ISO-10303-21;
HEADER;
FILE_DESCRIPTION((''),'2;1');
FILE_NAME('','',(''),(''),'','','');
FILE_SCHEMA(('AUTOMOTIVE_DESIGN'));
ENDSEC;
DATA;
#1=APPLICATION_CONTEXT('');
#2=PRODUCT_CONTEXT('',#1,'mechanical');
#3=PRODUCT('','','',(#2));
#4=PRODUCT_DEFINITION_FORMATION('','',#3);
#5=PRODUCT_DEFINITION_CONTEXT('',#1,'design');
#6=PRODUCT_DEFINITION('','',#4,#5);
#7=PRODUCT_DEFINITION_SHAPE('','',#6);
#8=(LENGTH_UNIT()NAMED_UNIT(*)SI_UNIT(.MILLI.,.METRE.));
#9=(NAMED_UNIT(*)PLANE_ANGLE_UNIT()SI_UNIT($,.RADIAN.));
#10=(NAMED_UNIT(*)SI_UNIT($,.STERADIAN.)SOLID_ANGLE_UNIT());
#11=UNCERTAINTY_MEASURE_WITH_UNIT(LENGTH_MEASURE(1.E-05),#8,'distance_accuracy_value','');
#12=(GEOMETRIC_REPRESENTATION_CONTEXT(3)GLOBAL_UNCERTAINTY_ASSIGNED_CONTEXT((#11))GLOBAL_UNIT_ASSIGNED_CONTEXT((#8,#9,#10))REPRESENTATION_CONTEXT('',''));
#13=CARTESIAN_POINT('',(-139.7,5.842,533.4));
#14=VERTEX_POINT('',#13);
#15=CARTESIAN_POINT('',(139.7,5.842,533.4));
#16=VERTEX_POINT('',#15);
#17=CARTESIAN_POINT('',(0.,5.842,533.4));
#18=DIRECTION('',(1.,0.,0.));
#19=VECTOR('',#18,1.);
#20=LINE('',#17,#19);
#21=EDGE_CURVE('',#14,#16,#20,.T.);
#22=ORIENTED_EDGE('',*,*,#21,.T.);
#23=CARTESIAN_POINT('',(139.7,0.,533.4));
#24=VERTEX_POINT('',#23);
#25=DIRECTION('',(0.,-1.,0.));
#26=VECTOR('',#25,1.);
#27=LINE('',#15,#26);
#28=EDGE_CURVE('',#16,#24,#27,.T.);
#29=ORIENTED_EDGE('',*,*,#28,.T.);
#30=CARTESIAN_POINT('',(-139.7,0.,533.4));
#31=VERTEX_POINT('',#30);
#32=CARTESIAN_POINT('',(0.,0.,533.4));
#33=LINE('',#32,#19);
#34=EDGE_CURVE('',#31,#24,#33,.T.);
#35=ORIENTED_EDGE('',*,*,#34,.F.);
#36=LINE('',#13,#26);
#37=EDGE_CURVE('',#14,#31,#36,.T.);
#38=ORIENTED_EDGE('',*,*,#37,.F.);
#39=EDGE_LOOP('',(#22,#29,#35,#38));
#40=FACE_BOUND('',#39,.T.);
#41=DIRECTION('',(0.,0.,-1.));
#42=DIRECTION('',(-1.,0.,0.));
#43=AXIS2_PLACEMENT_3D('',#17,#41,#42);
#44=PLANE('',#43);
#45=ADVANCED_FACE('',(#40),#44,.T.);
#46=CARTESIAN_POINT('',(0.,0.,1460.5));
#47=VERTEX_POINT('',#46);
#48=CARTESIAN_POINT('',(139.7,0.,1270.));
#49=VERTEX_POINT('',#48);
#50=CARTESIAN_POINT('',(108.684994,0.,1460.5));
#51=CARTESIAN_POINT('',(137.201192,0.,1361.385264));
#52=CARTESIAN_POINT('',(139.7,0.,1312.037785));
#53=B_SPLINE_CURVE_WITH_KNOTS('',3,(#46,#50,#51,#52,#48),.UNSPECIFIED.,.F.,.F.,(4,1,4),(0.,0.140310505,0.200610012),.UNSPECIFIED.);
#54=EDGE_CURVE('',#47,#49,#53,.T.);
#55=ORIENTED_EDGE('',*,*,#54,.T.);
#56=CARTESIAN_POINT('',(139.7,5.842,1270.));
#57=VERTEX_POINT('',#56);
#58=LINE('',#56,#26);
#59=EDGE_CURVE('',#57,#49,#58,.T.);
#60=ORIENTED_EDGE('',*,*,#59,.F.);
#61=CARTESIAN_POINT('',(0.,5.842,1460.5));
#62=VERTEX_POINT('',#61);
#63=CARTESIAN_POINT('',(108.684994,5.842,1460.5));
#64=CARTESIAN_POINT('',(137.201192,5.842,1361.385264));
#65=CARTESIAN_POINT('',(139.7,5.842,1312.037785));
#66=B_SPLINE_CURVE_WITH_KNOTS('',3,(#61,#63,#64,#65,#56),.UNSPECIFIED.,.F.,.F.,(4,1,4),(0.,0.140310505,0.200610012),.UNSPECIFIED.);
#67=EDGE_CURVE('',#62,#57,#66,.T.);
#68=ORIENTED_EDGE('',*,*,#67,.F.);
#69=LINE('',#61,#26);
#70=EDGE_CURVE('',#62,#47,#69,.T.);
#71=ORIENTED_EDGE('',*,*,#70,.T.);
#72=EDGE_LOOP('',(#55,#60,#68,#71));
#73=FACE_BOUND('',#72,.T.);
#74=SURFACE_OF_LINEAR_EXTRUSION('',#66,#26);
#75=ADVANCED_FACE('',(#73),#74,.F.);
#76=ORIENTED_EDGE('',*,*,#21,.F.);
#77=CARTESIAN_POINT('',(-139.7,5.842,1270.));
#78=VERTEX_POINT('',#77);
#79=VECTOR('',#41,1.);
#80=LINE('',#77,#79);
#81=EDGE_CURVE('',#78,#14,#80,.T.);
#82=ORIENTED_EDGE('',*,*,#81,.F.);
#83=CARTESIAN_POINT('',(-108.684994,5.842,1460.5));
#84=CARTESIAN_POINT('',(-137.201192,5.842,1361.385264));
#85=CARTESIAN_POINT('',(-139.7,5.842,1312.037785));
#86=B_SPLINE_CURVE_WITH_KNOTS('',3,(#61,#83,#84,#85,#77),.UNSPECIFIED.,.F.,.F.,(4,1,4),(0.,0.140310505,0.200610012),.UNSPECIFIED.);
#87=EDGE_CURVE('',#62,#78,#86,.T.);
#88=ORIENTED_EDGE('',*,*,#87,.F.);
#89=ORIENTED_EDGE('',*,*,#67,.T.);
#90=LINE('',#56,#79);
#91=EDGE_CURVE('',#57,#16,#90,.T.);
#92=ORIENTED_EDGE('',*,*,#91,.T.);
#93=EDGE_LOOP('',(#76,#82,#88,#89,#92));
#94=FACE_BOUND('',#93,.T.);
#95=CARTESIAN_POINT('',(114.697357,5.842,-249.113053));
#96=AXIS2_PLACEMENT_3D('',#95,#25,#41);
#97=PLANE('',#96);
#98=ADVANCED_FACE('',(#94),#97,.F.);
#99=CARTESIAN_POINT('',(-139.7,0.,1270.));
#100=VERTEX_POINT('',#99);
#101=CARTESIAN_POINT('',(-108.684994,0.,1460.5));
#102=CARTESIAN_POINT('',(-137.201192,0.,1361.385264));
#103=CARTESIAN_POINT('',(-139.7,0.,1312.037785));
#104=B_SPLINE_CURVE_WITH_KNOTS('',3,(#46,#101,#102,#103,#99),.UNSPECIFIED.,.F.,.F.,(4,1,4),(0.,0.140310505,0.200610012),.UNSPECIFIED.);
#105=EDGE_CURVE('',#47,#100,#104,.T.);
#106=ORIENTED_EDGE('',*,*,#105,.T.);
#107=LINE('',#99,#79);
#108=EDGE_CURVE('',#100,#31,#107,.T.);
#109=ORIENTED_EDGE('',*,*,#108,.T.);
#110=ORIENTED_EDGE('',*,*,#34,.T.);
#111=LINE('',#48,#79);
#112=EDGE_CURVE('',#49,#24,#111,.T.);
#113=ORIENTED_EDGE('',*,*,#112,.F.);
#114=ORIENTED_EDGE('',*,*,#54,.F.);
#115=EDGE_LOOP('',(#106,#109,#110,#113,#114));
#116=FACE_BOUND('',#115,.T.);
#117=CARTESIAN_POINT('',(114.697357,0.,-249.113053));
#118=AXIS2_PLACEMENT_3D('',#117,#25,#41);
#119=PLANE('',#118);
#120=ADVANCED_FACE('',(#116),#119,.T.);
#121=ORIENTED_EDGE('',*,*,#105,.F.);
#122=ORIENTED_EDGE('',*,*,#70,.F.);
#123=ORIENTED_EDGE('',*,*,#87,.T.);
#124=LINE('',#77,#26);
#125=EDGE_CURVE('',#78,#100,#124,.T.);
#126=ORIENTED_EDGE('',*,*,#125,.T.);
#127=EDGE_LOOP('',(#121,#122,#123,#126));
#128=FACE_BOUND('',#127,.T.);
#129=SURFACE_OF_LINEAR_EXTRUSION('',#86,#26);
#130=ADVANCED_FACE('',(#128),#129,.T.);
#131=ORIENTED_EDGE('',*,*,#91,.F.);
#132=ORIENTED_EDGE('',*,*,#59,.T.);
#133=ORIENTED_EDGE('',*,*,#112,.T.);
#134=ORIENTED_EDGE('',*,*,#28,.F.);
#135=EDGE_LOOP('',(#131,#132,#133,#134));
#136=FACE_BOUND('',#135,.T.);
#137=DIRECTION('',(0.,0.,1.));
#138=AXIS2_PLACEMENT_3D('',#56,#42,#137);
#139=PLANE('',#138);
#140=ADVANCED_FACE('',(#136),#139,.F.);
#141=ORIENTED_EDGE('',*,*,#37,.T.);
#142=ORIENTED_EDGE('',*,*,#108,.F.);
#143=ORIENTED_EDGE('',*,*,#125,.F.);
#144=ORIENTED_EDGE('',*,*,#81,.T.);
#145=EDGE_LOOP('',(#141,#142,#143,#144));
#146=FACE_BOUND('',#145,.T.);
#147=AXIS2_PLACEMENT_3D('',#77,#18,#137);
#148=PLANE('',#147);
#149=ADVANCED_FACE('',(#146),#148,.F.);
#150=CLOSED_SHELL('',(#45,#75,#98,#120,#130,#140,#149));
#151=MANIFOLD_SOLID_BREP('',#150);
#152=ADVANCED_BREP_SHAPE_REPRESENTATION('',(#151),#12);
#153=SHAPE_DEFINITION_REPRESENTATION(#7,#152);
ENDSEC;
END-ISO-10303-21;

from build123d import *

# Parameters (mm, degrees)
BOSS_EXTRUDE1_DEPTH = 5.842
SKETCH4_W           = 139.7
SKETCH4_H           = 914.4
CUT_EXTRUDE1_DEPTH  = 1468.177722461


with BuildPart() as part:
    # Sketch3 → Boss-Extrude1 (new body)
    with BuildSketch(Plane(origin=(0, 0, 0), x_dir=(1, 0, 0), z_dir=(0, 1, 0))):
        with BuildLine():
            Line((0, 381), (0, -1460.5))
            add(Edge.make_bspline(
                [(0, -1460.5), (108.684994241, -1460.5), (137.201191705, -1361.385263755), (139.7, -1312.037784968), (139.7, -1270)],
                knots=[0, 0, 0, 0, 0.140310505, 0.200610012, 0.200610012, 0.200610012, 0.200610012], degree=3))
            Line((139.7, -1270), (139.7, 63.5))
            add(Edge.make_bspline(
                [(139.7, 63.5), (139.7, 105.409860509), (138.775867716, 206.495657368), (73.507849515, 381), (0, 381)],
                knots=[0.803817555, 0.803817555, 0.803817555, 0.803817555, 0.866735408, 1, 1, 1, 1], degree=3))
        make_face()
    extrude(amount=BOSS_EXTRUDE1_DEPTH)

    # Sketch4 → Cut-Extrude1 (cut, through all)
    with BuildSketch(Plane(origin=(0, 0, 0), x_dir=(1, 0, 0), z_dir=(0, 1, 0))):
        with Locations((69.85, -76.2)):
            Rectangle(SKETCH4_W, SKETCH4_H)
    extrude(amount=CUT_EXTRUDE1_DEPTH, mode=Mode.SUBTRACT)

    # Mirror1: part across plane


with BuildPart() as part_1:
    add(part.part)
    add(part.part.mirror(Plane(origin=(0, 0, 0), x_dir=(0, 0, 1), z_dir=(1, 0, 0))))


solid = part_1.part
